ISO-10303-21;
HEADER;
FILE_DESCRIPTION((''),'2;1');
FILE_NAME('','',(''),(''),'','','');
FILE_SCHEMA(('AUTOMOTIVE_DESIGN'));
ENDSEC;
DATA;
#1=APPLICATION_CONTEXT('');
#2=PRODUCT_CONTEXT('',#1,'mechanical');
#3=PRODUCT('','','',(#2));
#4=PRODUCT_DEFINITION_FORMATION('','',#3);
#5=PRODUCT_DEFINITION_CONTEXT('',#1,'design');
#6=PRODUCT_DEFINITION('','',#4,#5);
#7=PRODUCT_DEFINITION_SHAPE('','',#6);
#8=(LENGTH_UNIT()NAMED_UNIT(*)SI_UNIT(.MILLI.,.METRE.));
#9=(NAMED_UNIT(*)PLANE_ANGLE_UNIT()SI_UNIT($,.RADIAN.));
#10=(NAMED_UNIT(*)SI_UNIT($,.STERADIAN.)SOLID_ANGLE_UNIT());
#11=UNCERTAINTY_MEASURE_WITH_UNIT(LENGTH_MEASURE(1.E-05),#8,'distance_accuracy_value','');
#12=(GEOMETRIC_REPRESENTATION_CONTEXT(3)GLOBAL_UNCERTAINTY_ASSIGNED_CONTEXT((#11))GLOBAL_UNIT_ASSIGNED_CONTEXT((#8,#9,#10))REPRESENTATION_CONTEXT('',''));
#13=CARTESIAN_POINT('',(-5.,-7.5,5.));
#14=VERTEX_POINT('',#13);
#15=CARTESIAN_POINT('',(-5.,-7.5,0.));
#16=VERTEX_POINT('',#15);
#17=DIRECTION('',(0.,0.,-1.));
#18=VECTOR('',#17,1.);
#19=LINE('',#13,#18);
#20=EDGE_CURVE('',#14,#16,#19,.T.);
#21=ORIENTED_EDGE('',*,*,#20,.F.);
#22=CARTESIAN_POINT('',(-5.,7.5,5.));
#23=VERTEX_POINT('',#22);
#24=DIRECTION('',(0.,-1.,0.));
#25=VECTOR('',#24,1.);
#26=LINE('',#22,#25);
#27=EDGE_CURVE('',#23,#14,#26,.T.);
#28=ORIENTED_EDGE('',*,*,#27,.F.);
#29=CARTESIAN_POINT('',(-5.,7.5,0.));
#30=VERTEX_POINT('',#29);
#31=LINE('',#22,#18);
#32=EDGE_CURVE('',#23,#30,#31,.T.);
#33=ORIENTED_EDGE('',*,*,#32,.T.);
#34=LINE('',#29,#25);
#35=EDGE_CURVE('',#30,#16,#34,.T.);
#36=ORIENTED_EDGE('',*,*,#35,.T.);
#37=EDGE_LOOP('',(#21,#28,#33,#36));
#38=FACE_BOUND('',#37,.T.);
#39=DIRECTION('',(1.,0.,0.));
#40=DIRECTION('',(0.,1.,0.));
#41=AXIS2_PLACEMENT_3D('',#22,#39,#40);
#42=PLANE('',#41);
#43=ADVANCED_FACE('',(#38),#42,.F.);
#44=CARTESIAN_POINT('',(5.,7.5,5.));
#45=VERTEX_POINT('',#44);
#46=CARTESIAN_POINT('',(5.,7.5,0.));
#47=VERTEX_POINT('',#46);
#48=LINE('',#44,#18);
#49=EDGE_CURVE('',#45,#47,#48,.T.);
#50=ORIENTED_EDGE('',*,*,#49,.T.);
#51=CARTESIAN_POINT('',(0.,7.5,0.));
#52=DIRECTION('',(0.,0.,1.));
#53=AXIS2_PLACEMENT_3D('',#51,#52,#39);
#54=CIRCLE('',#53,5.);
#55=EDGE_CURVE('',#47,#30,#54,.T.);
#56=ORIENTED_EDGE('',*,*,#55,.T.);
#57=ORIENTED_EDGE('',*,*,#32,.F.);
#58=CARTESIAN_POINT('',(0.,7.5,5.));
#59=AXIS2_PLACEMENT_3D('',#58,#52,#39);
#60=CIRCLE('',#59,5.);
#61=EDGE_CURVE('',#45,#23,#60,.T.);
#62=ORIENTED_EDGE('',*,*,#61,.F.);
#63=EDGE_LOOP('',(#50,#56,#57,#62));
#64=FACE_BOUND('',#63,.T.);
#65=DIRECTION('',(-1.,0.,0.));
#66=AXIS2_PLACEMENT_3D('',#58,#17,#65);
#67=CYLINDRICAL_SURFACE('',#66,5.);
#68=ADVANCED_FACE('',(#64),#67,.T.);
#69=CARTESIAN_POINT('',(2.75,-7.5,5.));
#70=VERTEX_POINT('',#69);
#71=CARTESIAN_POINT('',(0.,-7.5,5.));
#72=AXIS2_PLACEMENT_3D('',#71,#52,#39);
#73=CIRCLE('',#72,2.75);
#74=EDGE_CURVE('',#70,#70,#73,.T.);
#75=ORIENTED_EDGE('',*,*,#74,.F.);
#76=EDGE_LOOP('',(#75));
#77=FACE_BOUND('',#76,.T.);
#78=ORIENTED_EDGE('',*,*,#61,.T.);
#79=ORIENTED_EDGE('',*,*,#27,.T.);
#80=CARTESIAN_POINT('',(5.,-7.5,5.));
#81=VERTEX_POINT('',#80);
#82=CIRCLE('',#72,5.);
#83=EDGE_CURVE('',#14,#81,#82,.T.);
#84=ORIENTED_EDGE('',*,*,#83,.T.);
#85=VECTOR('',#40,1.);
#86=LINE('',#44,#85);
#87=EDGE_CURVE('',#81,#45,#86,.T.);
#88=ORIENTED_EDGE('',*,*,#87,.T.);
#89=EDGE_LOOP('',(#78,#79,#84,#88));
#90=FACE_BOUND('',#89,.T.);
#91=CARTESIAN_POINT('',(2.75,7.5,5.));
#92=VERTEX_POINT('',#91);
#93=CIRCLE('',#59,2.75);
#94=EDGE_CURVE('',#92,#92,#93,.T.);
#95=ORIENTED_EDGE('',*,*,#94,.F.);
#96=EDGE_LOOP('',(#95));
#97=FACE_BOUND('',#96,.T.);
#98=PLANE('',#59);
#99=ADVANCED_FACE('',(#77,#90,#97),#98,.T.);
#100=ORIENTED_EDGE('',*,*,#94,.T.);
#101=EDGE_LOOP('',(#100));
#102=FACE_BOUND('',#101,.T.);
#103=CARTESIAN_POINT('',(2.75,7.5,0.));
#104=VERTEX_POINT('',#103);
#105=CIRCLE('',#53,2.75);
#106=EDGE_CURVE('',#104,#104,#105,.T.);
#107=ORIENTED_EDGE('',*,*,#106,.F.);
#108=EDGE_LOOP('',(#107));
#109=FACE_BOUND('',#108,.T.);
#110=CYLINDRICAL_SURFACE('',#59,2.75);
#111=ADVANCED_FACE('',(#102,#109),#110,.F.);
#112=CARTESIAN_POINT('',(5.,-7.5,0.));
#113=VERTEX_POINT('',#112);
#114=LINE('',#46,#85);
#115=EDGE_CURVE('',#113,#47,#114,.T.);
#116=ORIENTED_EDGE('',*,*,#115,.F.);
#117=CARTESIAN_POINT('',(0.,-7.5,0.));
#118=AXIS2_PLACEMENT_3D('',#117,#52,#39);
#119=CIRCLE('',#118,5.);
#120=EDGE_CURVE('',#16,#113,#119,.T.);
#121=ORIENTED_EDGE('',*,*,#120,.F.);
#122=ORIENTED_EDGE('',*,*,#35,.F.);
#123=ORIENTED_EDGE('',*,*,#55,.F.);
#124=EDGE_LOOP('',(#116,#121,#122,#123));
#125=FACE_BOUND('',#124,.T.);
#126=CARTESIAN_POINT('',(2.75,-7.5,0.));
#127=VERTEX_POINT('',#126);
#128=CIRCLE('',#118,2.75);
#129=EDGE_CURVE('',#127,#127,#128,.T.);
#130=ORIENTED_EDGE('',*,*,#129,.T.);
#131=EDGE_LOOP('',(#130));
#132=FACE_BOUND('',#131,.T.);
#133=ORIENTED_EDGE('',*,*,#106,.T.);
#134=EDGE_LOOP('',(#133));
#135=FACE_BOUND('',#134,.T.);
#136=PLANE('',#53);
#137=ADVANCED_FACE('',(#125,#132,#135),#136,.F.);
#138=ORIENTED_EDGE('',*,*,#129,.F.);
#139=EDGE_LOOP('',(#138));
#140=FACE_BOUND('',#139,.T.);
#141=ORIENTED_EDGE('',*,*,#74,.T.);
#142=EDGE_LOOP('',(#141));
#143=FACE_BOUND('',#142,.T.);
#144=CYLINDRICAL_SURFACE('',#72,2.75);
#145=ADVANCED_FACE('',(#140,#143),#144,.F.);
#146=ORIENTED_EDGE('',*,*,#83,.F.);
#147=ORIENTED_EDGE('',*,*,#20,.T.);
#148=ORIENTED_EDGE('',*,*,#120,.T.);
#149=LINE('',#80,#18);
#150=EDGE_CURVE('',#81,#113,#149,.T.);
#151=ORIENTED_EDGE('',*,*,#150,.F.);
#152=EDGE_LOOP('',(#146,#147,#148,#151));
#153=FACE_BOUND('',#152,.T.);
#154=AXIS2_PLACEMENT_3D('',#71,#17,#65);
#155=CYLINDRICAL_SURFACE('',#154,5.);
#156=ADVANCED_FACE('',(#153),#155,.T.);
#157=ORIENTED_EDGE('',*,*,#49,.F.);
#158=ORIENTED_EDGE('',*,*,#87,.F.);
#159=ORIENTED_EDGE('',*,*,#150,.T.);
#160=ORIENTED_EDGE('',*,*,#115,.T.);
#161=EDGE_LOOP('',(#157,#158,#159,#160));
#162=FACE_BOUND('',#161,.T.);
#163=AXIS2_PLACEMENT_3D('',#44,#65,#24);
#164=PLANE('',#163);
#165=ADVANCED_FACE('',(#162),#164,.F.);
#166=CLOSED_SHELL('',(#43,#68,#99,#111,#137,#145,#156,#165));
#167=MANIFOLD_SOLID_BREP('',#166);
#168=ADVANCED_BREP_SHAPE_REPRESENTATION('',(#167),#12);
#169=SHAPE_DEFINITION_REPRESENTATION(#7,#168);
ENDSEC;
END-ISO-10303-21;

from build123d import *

# Parameters (mm, degrees)
BOSS_EXTRUDE1_DEPTH  = 5
M5_CLEARANCE_HOLE1_D = 5.5


with BuildPart() as part:
    # Sketch1 → Boss-Extrude1 (new body)
    with BuildSketch(Plane.XY):
        with BuildLine():
            Line((5, 7.5), (5, -7.5))
            ThreePointArc((5, -7.5), (0, -12.5), (-5, -7.5))
            Line((-5, -7.5), (-5, 7.5))
            ThreePointArc((-5, 7.5), (0, 12.5), (5, 7.5))
        make_face()
    extrude(amount=BOSS_EXTRUDE1_DEPTH)

    # M5 Clearance Hole1 (through all)
    with Locations(Plane.XY.offset(5)):
        with Locations((0, 7.5), (0, -7.5)):
            Hole(M5_CLEARANCE_HOLE1_D / 2)


solid = part.part
